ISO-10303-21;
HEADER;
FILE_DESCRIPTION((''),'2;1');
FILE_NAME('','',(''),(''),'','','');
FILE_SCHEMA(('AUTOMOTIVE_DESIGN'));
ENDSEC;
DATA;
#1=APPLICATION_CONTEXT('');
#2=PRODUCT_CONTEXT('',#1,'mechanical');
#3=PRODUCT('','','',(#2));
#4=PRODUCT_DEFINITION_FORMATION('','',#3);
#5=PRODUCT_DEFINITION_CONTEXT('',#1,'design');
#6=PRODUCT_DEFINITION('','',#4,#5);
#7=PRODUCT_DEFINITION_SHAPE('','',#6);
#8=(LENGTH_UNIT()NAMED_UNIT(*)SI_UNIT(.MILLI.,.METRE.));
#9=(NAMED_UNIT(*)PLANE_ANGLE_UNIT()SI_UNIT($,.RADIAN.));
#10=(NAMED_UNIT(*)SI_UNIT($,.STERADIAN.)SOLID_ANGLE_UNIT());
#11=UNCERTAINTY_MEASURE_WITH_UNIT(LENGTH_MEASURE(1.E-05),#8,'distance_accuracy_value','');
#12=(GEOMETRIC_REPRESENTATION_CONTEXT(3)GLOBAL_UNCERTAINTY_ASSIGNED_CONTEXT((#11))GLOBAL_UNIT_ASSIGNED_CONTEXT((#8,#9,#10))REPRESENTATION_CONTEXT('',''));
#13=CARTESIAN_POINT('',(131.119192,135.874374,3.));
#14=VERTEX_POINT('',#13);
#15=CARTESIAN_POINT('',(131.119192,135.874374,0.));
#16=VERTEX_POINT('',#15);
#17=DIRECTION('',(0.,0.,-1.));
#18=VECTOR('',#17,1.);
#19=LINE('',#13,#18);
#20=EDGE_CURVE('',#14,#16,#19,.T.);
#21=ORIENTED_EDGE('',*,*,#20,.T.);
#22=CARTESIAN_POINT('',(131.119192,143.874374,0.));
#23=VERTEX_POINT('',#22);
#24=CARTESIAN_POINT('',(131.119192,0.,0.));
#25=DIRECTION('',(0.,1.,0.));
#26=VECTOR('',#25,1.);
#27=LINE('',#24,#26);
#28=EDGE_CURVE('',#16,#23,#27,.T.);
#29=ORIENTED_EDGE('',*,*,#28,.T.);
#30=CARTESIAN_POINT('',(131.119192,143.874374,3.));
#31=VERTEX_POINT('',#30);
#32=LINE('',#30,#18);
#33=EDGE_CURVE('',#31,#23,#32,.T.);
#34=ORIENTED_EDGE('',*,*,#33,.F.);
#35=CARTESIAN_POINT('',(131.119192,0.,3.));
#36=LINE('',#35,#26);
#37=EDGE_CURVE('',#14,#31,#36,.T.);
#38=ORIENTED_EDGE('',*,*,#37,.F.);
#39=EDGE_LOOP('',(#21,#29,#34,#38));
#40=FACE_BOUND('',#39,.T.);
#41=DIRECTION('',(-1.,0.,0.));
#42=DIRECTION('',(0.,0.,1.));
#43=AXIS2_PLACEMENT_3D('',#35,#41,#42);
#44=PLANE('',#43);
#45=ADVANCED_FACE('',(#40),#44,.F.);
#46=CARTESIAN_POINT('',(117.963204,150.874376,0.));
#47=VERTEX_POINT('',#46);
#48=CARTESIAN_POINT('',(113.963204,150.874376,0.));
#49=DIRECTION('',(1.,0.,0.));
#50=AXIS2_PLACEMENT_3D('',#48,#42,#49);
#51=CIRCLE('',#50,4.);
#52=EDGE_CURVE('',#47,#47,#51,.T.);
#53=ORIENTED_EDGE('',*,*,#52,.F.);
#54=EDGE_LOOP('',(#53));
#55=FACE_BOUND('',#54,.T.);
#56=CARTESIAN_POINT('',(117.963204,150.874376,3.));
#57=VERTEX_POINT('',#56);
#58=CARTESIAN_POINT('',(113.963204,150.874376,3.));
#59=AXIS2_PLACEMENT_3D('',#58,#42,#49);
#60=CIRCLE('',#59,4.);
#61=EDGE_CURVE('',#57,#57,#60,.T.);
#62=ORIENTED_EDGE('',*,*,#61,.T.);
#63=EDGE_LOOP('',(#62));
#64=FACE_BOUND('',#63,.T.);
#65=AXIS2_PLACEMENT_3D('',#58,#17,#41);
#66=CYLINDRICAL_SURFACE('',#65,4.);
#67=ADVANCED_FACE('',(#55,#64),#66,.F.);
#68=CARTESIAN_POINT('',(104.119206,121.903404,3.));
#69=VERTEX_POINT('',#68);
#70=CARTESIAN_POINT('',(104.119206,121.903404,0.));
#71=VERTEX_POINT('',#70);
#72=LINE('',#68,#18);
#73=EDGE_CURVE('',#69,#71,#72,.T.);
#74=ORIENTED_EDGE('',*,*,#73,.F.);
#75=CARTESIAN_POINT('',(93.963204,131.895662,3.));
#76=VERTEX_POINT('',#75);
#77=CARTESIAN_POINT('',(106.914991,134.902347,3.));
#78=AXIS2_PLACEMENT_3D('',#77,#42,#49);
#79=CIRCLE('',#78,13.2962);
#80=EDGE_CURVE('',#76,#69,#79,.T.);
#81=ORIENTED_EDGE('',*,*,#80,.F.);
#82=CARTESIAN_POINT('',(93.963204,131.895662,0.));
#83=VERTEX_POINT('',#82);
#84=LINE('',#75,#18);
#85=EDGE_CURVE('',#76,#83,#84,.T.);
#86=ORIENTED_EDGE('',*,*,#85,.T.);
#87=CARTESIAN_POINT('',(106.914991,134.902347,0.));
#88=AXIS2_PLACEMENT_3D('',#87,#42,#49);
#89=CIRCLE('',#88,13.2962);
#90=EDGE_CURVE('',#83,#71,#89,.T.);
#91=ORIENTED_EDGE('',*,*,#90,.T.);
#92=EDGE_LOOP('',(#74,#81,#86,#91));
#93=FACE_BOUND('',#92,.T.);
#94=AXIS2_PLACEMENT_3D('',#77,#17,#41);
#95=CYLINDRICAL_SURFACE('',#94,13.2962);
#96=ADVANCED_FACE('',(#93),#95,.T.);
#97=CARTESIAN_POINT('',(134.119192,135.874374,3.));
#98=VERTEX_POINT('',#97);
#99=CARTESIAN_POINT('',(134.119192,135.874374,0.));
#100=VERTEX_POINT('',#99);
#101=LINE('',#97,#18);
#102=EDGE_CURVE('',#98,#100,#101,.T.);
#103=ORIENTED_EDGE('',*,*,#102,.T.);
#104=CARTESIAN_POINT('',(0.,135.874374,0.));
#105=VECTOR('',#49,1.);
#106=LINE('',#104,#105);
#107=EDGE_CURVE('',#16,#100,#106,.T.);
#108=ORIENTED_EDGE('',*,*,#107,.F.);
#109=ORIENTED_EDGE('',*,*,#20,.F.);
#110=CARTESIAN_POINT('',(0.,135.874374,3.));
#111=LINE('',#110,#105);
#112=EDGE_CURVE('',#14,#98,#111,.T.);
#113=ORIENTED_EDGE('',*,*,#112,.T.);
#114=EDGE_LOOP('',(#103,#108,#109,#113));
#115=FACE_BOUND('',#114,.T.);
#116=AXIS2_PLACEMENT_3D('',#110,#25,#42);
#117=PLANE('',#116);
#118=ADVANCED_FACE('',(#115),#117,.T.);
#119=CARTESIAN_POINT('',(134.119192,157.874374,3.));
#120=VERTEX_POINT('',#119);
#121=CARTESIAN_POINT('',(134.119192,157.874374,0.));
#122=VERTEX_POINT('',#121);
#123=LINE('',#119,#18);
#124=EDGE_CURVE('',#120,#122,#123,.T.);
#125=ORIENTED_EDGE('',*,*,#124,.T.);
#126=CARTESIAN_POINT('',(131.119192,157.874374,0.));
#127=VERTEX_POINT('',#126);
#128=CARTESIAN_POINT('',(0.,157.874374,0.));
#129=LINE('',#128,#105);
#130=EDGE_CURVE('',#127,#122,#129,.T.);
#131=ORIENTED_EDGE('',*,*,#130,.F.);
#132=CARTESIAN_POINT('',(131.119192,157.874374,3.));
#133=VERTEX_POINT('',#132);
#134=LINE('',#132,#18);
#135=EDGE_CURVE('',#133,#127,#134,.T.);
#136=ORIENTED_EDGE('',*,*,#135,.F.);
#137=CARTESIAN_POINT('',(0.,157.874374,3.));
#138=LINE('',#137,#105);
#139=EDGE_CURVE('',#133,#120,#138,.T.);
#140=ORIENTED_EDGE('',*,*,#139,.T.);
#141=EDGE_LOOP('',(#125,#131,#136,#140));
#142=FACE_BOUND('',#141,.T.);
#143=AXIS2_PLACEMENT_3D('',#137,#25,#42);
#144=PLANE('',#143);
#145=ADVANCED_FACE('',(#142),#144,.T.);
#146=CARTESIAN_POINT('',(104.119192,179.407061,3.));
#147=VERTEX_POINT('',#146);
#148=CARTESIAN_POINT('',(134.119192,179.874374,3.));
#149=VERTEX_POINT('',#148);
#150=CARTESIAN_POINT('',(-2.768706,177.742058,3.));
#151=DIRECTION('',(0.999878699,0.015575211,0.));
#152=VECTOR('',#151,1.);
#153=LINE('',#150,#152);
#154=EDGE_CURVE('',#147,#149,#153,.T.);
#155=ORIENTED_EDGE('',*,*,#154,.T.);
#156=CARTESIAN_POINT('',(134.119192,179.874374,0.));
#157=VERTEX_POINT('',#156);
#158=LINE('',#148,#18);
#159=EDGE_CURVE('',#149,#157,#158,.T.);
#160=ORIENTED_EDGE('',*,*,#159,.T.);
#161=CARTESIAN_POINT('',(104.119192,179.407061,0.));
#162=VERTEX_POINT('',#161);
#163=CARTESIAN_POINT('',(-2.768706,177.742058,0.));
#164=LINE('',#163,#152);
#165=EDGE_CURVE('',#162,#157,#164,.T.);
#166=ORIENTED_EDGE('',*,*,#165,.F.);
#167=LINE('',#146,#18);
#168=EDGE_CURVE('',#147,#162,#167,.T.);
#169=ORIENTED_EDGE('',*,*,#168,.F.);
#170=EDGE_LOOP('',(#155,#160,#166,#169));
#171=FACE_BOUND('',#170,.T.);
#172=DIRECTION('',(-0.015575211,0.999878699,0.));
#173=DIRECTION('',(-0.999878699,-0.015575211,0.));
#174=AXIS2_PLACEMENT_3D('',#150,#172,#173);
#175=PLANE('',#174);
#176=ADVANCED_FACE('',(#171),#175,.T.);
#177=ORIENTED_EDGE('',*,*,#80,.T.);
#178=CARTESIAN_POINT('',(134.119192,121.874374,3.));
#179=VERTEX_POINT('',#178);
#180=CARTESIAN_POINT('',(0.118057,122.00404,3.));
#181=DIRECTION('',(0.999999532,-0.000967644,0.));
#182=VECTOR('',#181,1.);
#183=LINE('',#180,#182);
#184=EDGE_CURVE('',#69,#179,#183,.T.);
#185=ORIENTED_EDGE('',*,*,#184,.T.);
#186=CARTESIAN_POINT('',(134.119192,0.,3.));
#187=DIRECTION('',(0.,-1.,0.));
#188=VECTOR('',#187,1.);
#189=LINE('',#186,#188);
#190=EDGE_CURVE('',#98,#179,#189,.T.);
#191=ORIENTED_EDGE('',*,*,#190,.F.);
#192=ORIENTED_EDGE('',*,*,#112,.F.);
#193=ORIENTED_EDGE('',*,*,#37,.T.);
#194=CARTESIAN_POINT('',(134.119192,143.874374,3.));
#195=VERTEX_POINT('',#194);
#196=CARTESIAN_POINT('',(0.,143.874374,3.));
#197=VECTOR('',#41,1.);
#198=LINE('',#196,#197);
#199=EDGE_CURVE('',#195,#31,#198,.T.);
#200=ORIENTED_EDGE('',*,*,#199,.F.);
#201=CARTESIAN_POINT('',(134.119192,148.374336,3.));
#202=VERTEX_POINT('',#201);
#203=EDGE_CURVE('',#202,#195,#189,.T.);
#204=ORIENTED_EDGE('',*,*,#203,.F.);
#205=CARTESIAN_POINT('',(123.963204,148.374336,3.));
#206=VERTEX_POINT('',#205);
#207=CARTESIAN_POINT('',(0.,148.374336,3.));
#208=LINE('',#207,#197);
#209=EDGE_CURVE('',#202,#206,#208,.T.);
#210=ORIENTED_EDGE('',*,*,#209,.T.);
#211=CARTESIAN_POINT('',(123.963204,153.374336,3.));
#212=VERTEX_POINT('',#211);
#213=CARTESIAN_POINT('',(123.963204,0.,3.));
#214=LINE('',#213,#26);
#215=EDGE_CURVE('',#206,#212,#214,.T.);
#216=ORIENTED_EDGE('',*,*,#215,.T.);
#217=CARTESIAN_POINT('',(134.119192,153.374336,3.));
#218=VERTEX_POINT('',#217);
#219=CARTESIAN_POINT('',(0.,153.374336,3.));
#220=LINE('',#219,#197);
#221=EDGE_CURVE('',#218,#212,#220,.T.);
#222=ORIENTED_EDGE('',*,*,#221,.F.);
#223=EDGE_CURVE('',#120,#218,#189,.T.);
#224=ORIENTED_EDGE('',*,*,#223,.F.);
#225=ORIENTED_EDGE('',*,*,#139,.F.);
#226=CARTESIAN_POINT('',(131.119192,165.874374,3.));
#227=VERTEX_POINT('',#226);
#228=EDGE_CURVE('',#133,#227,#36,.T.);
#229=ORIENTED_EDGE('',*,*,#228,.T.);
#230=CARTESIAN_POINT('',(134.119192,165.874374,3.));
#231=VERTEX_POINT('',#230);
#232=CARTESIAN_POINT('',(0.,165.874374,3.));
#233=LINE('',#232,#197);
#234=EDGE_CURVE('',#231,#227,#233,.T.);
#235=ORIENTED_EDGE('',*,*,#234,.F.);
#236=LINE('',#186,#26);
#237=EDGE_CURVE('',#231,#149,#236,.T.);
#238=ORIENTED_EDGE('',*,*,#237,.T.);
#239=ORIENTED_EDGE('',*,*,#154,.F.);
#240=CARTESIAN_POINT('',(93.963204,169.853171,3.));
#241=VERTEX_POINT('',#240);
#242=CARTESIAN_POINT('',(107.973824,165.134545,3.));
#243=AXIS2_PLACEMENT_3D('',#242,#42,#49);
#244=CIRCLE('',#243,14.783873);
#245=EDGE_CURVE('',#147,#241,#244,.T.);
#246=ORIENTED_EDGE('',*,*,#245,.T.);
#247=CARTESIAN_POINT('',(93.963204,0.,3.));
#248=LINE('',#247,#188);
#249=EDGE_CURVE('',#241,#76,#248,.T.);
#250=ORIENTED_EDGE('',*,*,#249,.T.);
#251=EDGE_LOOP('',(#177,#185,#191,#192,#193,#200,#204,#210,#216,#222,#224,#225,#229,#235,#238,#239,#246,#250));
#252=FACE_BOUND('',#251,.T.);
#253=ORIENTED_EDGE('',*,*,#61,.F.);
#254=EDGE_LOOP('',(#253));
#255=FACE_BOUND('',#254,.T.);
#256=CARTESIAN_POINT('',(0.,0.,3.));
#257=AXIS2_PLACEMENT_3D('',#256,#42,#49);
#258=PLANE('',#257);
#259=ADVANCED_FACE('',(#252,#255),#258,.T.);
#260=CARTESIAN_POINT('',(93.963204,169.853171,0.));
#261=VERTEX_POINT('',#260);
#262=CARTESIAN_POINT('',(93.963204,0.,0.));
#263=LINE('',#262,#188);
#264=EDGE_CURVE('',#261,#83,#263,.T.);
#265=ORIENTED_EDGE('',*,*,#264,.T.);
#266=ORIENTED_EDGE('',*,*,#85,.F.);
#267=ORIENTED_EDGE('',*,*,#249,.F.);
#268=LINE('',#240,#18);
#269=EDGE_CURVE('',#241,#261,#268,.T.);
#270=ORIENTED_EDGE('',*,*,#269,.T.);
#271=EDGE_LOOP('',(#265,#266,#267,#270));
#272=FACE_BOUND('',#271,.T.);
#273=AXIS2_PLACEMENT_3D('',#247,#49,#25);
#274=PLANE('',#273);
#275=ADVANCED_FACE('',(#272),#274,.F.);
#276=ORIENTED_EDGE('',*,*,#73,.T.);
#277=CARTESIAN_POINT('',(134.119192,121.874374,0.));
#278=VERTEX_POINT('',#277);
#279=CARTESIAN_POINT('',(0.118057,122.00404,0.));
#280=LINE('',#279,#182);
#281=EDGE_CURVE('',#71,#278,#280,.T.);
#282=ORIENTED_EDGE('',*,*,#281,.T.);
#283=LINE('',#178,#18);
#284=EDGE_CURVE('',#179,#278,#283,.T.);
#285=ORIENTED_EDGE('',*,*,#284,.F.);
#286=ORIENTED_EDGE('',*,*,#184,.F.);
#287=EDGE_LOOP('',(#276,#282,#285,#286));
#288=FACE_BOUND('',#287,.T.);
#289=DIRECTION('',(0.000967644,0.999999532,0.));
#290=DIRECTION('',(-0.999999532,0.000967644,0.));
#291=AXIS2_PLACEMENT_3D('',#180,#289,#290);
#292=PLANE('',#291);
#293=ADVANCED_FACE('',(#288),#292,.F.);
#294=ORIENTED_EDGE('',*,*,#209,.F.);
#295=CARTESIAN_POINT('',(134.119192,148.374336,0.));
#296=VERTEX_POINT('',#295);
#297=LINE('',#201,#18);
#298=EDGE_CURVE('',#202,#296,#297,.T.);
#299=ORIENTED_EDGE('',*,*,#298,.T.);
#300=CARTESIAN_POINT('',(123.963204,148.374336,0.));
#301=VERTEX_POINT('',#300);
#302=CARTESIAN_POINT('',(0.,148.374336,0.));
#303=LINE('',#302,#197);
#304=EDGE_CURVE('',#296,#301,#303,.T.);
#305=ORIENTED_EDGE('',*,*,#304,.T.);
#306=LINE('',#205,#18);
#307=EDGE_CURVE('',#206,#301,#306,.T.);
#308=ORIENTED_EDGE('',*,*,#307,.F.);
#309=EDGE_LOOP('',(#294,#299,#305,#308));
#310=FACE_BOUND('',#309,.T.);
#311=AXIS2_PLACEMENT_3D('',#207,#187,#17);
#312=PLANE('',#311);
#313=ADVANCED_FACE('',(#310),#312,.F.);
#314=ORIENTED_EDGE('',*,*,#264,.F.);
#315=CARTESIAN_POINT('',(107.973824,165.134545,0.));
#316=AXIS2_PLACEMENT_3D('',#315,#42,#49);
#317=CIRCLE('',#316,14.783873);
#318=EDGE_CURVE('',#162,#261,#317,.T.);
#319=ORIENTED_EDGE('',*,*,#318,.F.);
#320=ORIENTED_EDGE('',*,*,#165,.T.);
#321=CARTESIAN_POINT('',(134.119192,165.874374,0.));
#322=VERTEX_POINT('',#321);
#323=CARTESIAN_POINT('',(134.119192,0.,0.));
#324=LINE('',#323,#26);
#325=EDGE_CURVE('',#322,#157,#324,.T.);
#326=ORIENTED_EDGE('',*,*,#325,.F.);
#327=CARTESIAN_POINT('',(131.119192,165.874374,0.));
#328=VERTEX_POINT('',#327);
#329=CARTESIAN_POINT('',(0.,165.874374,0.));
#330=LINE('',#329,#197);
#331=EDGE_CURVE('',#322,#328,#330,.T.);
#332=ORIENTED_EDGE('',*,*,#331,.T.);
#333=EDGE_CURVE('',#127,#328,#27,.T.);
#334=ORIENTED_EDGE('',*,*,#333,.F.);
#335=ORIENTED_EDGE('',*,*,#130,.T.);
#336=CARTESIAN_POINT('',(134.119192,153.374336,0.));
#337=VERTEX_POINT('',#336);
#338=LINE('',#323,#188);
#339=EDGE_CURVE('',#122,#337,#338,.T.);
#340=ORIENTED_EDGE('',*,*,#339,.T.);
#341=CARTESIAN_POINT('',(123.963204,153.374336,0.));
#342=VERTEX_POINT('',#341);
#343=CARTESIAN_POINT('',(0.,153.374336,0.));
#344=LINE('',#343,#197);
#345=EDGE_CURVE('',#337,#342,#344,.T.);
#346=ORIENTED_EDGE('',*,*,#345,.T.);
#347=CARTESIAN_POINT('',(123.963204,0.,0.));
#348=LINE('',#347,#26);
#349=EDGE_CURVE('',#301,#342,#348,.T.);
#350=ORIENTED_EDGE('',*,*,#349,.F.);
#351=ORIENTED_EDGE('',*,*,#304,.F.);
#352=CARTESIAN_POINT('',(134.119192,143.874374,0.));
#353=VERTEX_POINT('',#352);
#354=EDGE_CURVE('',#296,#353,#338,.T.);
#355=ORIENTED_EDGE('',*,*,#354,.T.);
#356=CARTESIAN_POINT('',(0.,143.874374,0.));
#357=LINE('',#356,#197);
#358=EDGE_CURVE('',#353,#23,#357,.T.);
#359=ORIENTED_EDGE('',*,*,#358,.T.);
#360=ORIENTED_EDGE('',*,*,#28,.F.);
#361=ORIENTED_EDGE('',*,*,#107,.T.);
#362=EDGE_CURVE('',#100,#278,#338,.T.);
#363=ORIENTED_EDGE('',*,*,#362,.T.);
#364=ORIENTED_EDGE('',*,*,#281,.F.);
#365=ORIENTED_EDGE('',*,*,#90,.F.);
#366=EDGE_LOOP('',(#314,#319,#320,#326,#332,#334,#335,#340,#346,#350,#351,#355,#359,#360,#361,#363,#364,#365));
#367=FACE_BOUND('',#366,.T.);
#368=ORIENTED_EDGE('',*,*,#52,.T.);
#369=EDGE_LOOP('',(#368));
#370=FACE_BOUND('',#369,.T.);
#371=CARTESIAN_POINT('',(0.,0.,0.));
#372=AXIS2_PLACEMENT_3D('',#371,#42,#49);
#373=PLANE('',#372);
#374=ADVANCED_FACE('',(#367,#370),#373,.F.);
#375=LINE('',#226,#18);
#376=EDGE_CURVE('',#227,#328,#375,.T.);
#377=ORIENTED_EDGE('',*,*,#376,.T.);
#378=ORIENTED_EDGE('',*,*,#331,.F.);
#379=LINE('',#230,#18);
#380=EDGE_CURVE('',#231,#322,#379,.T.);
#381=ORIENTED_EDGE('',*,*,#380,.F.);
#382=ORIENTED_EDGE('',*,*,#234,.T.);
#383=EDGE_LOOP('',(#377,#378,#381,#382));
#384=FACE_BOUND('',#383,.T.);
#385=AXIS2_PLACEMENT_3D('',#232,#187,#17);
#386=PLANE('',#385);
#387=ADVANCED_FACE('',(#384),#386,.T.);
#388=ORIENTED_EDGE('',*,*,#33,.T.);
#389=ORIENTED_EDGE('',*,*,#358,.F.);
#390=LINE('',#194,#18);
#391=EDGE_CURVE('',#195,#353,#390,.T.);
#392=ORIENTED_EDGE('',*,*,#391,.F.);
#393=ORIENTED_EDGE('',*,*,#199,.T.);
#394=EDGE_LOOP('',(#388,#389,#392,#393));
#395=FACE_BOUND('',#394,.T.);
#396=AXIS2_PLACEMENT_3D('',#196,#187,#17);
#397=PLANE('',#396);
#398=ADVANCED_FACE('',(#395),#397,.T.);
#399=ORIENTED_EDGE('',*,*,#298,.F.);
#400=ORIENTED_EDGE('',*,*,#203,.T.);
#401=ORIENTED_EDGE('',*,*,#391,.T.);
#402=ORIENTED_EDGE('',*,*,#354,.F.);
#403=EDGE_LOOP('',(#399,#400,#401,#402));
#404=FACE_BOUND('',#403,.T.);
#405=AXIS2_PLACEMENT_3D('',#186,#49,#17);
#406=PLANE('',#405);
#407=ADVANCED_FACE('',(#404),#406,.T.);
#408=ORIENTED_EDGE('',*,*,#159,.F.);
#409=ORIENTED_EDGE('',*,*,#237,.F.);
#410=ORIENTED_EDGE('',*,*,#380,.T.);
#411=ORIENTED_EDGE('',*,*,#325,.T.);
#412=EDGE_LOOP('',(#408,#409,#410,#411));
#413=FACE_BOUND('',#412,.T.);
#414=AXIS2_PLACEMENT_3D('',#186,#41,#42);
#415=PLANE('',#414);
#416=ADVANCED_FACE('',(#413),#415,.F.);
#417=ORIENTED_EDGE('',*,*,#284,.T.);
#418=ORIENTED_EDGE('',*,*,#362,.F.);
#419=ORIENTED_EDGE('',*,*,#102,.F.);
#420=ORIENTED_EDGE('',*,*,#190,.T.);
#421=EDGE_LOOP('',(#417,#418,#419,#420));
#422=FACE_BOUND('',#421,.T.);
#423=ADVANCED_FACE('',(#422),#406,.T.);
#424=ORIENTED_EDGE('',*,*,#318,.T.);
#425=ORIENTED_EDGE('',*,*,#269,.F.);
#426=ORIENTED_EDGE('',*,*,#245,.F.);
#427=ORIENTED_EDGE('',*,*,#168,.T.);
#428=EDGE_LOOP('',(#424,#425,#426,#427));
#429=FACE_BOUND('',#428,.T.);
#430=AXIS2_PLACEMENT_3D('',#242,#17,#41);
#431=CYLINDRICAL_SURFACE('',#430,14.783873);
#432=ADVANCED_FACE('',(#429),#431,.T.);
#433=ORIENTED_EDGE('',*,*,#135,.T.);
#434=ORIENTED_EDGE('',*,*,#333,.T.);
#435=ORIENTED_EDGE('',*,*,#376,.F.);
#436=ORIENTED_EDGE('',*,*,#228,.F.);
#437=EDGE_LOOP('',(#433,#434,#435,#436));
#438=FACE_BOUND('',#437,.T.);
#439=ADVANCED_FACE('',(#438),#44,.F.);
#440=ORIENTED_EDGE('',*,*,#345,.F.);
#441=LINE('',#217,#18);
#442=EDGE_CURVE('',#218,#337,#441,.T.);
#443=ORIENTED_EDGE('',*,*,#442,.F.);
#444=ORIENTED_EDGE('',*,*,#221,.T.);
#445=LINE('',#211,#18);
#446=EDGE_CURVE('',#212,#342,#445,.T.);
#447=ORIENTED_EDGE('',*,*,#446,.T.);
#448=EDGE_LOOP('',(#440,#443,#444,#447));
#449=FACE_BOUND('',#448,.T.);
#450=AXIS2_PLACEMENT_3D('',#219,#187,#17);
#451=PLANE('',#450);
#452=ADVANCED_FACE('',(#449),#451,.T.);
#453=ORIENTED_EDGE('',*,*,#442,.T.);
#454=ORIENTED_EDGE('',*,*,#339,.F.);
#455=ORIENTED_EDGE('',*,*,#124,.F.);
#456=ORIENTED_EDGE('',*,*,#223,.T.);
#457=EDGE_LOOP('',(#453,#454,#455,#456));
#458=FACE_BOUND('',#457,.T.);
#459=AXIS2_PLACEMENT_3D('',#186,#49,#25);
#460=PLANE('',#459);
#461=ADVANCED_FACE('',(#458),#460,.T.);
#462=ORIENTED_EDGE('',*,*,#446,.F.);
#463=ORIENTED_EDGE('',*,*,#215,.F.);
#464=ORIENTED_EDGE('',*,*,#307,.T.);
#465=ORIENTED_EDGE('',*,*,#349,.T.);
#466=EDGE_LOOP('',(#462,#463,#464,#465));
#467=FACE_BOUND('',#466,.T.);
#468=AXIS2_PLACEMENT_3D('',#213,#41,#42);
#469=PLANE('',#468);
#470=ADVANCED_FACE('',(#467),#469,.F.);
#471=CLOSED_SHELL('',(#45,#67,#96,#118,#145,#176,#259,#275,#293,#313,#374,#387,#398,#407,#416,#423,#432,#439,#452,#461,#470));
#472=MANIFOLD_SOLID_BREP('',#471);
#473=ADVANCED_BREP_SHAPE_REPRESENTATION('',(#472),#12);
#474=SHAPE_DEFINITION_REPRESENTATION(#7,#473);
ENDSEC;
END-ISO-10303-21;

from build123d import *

# Parameters (mm, degrees)
SKETCH1_R           = 4
BOSS_EXTRUDE1_DEPTH = 3


with BuildPart() as part:
    # Sketch1 → Boss-Extrude1 (new body)
    with BuildSketch(Plane.XY):
        with BuildLine():
            Line((104.119192453, 179.407061364), (134.119192453, 179.874374377))
            Line((134.119192453, 179.874374377), (134.119192453, 165.874374377))
            Line((134.119192453, 165.874374377), (131.119192453, 165.874374377))
            Line((131.119192453, 165.874374377), (131.119192453, 157.874374377))
            Line((131.119192453, 157.874374377), (134.119192453, 157.874374377))
            Line((134.119192453, 157.874374377), (134.119192453, 153.374336284))
            Line((134.119192453, 153.374336284), (123.963204023, 153.374336284))
            Line((123.963204023, 153.374336284), (123.963204023, 148.374336284))
            Line((123.963204023, 148.374336284), (134.119192453, 148.374336284))
            Line((134.119192453, 148.374336284), (134.119192453, 143.874374377))
            Line((134.119192453, 143.874374377), (131.119192453, 143.874374377))
            Line((131.119192453, 143.874374377), (131.119192453, 135.874374377))
            Line((131.119192453, 135.874374377), (134.119192453, 135.874374377))
            Line((134.119192453, 135.874374377), (134.119192453, 121.874374377))
            Line((134.119192453, 121.874374377), (104.119206498, 121.903403691))
            ThreePointArc((104.119206498, 121.903403691), (97.58987401, 125.424418251), (93.963204023, 131.895661647))
            Line((93.963204023, 131.895661647), (93.963204023, 169.853170932))
            ThreePointArc((93.963204023, 169.853170932), (97.844114816, 175.902641249), (104.119192453, 179.407061364))
        make_face()
        with Locations((113.963204023, 150.874376287)):
            Circle(SKETCH1_R, mode=Mode.SUBTRACT)
    extrude(amount=BOSS_EXTRUDE1_DEPTH)


solid = part.part
